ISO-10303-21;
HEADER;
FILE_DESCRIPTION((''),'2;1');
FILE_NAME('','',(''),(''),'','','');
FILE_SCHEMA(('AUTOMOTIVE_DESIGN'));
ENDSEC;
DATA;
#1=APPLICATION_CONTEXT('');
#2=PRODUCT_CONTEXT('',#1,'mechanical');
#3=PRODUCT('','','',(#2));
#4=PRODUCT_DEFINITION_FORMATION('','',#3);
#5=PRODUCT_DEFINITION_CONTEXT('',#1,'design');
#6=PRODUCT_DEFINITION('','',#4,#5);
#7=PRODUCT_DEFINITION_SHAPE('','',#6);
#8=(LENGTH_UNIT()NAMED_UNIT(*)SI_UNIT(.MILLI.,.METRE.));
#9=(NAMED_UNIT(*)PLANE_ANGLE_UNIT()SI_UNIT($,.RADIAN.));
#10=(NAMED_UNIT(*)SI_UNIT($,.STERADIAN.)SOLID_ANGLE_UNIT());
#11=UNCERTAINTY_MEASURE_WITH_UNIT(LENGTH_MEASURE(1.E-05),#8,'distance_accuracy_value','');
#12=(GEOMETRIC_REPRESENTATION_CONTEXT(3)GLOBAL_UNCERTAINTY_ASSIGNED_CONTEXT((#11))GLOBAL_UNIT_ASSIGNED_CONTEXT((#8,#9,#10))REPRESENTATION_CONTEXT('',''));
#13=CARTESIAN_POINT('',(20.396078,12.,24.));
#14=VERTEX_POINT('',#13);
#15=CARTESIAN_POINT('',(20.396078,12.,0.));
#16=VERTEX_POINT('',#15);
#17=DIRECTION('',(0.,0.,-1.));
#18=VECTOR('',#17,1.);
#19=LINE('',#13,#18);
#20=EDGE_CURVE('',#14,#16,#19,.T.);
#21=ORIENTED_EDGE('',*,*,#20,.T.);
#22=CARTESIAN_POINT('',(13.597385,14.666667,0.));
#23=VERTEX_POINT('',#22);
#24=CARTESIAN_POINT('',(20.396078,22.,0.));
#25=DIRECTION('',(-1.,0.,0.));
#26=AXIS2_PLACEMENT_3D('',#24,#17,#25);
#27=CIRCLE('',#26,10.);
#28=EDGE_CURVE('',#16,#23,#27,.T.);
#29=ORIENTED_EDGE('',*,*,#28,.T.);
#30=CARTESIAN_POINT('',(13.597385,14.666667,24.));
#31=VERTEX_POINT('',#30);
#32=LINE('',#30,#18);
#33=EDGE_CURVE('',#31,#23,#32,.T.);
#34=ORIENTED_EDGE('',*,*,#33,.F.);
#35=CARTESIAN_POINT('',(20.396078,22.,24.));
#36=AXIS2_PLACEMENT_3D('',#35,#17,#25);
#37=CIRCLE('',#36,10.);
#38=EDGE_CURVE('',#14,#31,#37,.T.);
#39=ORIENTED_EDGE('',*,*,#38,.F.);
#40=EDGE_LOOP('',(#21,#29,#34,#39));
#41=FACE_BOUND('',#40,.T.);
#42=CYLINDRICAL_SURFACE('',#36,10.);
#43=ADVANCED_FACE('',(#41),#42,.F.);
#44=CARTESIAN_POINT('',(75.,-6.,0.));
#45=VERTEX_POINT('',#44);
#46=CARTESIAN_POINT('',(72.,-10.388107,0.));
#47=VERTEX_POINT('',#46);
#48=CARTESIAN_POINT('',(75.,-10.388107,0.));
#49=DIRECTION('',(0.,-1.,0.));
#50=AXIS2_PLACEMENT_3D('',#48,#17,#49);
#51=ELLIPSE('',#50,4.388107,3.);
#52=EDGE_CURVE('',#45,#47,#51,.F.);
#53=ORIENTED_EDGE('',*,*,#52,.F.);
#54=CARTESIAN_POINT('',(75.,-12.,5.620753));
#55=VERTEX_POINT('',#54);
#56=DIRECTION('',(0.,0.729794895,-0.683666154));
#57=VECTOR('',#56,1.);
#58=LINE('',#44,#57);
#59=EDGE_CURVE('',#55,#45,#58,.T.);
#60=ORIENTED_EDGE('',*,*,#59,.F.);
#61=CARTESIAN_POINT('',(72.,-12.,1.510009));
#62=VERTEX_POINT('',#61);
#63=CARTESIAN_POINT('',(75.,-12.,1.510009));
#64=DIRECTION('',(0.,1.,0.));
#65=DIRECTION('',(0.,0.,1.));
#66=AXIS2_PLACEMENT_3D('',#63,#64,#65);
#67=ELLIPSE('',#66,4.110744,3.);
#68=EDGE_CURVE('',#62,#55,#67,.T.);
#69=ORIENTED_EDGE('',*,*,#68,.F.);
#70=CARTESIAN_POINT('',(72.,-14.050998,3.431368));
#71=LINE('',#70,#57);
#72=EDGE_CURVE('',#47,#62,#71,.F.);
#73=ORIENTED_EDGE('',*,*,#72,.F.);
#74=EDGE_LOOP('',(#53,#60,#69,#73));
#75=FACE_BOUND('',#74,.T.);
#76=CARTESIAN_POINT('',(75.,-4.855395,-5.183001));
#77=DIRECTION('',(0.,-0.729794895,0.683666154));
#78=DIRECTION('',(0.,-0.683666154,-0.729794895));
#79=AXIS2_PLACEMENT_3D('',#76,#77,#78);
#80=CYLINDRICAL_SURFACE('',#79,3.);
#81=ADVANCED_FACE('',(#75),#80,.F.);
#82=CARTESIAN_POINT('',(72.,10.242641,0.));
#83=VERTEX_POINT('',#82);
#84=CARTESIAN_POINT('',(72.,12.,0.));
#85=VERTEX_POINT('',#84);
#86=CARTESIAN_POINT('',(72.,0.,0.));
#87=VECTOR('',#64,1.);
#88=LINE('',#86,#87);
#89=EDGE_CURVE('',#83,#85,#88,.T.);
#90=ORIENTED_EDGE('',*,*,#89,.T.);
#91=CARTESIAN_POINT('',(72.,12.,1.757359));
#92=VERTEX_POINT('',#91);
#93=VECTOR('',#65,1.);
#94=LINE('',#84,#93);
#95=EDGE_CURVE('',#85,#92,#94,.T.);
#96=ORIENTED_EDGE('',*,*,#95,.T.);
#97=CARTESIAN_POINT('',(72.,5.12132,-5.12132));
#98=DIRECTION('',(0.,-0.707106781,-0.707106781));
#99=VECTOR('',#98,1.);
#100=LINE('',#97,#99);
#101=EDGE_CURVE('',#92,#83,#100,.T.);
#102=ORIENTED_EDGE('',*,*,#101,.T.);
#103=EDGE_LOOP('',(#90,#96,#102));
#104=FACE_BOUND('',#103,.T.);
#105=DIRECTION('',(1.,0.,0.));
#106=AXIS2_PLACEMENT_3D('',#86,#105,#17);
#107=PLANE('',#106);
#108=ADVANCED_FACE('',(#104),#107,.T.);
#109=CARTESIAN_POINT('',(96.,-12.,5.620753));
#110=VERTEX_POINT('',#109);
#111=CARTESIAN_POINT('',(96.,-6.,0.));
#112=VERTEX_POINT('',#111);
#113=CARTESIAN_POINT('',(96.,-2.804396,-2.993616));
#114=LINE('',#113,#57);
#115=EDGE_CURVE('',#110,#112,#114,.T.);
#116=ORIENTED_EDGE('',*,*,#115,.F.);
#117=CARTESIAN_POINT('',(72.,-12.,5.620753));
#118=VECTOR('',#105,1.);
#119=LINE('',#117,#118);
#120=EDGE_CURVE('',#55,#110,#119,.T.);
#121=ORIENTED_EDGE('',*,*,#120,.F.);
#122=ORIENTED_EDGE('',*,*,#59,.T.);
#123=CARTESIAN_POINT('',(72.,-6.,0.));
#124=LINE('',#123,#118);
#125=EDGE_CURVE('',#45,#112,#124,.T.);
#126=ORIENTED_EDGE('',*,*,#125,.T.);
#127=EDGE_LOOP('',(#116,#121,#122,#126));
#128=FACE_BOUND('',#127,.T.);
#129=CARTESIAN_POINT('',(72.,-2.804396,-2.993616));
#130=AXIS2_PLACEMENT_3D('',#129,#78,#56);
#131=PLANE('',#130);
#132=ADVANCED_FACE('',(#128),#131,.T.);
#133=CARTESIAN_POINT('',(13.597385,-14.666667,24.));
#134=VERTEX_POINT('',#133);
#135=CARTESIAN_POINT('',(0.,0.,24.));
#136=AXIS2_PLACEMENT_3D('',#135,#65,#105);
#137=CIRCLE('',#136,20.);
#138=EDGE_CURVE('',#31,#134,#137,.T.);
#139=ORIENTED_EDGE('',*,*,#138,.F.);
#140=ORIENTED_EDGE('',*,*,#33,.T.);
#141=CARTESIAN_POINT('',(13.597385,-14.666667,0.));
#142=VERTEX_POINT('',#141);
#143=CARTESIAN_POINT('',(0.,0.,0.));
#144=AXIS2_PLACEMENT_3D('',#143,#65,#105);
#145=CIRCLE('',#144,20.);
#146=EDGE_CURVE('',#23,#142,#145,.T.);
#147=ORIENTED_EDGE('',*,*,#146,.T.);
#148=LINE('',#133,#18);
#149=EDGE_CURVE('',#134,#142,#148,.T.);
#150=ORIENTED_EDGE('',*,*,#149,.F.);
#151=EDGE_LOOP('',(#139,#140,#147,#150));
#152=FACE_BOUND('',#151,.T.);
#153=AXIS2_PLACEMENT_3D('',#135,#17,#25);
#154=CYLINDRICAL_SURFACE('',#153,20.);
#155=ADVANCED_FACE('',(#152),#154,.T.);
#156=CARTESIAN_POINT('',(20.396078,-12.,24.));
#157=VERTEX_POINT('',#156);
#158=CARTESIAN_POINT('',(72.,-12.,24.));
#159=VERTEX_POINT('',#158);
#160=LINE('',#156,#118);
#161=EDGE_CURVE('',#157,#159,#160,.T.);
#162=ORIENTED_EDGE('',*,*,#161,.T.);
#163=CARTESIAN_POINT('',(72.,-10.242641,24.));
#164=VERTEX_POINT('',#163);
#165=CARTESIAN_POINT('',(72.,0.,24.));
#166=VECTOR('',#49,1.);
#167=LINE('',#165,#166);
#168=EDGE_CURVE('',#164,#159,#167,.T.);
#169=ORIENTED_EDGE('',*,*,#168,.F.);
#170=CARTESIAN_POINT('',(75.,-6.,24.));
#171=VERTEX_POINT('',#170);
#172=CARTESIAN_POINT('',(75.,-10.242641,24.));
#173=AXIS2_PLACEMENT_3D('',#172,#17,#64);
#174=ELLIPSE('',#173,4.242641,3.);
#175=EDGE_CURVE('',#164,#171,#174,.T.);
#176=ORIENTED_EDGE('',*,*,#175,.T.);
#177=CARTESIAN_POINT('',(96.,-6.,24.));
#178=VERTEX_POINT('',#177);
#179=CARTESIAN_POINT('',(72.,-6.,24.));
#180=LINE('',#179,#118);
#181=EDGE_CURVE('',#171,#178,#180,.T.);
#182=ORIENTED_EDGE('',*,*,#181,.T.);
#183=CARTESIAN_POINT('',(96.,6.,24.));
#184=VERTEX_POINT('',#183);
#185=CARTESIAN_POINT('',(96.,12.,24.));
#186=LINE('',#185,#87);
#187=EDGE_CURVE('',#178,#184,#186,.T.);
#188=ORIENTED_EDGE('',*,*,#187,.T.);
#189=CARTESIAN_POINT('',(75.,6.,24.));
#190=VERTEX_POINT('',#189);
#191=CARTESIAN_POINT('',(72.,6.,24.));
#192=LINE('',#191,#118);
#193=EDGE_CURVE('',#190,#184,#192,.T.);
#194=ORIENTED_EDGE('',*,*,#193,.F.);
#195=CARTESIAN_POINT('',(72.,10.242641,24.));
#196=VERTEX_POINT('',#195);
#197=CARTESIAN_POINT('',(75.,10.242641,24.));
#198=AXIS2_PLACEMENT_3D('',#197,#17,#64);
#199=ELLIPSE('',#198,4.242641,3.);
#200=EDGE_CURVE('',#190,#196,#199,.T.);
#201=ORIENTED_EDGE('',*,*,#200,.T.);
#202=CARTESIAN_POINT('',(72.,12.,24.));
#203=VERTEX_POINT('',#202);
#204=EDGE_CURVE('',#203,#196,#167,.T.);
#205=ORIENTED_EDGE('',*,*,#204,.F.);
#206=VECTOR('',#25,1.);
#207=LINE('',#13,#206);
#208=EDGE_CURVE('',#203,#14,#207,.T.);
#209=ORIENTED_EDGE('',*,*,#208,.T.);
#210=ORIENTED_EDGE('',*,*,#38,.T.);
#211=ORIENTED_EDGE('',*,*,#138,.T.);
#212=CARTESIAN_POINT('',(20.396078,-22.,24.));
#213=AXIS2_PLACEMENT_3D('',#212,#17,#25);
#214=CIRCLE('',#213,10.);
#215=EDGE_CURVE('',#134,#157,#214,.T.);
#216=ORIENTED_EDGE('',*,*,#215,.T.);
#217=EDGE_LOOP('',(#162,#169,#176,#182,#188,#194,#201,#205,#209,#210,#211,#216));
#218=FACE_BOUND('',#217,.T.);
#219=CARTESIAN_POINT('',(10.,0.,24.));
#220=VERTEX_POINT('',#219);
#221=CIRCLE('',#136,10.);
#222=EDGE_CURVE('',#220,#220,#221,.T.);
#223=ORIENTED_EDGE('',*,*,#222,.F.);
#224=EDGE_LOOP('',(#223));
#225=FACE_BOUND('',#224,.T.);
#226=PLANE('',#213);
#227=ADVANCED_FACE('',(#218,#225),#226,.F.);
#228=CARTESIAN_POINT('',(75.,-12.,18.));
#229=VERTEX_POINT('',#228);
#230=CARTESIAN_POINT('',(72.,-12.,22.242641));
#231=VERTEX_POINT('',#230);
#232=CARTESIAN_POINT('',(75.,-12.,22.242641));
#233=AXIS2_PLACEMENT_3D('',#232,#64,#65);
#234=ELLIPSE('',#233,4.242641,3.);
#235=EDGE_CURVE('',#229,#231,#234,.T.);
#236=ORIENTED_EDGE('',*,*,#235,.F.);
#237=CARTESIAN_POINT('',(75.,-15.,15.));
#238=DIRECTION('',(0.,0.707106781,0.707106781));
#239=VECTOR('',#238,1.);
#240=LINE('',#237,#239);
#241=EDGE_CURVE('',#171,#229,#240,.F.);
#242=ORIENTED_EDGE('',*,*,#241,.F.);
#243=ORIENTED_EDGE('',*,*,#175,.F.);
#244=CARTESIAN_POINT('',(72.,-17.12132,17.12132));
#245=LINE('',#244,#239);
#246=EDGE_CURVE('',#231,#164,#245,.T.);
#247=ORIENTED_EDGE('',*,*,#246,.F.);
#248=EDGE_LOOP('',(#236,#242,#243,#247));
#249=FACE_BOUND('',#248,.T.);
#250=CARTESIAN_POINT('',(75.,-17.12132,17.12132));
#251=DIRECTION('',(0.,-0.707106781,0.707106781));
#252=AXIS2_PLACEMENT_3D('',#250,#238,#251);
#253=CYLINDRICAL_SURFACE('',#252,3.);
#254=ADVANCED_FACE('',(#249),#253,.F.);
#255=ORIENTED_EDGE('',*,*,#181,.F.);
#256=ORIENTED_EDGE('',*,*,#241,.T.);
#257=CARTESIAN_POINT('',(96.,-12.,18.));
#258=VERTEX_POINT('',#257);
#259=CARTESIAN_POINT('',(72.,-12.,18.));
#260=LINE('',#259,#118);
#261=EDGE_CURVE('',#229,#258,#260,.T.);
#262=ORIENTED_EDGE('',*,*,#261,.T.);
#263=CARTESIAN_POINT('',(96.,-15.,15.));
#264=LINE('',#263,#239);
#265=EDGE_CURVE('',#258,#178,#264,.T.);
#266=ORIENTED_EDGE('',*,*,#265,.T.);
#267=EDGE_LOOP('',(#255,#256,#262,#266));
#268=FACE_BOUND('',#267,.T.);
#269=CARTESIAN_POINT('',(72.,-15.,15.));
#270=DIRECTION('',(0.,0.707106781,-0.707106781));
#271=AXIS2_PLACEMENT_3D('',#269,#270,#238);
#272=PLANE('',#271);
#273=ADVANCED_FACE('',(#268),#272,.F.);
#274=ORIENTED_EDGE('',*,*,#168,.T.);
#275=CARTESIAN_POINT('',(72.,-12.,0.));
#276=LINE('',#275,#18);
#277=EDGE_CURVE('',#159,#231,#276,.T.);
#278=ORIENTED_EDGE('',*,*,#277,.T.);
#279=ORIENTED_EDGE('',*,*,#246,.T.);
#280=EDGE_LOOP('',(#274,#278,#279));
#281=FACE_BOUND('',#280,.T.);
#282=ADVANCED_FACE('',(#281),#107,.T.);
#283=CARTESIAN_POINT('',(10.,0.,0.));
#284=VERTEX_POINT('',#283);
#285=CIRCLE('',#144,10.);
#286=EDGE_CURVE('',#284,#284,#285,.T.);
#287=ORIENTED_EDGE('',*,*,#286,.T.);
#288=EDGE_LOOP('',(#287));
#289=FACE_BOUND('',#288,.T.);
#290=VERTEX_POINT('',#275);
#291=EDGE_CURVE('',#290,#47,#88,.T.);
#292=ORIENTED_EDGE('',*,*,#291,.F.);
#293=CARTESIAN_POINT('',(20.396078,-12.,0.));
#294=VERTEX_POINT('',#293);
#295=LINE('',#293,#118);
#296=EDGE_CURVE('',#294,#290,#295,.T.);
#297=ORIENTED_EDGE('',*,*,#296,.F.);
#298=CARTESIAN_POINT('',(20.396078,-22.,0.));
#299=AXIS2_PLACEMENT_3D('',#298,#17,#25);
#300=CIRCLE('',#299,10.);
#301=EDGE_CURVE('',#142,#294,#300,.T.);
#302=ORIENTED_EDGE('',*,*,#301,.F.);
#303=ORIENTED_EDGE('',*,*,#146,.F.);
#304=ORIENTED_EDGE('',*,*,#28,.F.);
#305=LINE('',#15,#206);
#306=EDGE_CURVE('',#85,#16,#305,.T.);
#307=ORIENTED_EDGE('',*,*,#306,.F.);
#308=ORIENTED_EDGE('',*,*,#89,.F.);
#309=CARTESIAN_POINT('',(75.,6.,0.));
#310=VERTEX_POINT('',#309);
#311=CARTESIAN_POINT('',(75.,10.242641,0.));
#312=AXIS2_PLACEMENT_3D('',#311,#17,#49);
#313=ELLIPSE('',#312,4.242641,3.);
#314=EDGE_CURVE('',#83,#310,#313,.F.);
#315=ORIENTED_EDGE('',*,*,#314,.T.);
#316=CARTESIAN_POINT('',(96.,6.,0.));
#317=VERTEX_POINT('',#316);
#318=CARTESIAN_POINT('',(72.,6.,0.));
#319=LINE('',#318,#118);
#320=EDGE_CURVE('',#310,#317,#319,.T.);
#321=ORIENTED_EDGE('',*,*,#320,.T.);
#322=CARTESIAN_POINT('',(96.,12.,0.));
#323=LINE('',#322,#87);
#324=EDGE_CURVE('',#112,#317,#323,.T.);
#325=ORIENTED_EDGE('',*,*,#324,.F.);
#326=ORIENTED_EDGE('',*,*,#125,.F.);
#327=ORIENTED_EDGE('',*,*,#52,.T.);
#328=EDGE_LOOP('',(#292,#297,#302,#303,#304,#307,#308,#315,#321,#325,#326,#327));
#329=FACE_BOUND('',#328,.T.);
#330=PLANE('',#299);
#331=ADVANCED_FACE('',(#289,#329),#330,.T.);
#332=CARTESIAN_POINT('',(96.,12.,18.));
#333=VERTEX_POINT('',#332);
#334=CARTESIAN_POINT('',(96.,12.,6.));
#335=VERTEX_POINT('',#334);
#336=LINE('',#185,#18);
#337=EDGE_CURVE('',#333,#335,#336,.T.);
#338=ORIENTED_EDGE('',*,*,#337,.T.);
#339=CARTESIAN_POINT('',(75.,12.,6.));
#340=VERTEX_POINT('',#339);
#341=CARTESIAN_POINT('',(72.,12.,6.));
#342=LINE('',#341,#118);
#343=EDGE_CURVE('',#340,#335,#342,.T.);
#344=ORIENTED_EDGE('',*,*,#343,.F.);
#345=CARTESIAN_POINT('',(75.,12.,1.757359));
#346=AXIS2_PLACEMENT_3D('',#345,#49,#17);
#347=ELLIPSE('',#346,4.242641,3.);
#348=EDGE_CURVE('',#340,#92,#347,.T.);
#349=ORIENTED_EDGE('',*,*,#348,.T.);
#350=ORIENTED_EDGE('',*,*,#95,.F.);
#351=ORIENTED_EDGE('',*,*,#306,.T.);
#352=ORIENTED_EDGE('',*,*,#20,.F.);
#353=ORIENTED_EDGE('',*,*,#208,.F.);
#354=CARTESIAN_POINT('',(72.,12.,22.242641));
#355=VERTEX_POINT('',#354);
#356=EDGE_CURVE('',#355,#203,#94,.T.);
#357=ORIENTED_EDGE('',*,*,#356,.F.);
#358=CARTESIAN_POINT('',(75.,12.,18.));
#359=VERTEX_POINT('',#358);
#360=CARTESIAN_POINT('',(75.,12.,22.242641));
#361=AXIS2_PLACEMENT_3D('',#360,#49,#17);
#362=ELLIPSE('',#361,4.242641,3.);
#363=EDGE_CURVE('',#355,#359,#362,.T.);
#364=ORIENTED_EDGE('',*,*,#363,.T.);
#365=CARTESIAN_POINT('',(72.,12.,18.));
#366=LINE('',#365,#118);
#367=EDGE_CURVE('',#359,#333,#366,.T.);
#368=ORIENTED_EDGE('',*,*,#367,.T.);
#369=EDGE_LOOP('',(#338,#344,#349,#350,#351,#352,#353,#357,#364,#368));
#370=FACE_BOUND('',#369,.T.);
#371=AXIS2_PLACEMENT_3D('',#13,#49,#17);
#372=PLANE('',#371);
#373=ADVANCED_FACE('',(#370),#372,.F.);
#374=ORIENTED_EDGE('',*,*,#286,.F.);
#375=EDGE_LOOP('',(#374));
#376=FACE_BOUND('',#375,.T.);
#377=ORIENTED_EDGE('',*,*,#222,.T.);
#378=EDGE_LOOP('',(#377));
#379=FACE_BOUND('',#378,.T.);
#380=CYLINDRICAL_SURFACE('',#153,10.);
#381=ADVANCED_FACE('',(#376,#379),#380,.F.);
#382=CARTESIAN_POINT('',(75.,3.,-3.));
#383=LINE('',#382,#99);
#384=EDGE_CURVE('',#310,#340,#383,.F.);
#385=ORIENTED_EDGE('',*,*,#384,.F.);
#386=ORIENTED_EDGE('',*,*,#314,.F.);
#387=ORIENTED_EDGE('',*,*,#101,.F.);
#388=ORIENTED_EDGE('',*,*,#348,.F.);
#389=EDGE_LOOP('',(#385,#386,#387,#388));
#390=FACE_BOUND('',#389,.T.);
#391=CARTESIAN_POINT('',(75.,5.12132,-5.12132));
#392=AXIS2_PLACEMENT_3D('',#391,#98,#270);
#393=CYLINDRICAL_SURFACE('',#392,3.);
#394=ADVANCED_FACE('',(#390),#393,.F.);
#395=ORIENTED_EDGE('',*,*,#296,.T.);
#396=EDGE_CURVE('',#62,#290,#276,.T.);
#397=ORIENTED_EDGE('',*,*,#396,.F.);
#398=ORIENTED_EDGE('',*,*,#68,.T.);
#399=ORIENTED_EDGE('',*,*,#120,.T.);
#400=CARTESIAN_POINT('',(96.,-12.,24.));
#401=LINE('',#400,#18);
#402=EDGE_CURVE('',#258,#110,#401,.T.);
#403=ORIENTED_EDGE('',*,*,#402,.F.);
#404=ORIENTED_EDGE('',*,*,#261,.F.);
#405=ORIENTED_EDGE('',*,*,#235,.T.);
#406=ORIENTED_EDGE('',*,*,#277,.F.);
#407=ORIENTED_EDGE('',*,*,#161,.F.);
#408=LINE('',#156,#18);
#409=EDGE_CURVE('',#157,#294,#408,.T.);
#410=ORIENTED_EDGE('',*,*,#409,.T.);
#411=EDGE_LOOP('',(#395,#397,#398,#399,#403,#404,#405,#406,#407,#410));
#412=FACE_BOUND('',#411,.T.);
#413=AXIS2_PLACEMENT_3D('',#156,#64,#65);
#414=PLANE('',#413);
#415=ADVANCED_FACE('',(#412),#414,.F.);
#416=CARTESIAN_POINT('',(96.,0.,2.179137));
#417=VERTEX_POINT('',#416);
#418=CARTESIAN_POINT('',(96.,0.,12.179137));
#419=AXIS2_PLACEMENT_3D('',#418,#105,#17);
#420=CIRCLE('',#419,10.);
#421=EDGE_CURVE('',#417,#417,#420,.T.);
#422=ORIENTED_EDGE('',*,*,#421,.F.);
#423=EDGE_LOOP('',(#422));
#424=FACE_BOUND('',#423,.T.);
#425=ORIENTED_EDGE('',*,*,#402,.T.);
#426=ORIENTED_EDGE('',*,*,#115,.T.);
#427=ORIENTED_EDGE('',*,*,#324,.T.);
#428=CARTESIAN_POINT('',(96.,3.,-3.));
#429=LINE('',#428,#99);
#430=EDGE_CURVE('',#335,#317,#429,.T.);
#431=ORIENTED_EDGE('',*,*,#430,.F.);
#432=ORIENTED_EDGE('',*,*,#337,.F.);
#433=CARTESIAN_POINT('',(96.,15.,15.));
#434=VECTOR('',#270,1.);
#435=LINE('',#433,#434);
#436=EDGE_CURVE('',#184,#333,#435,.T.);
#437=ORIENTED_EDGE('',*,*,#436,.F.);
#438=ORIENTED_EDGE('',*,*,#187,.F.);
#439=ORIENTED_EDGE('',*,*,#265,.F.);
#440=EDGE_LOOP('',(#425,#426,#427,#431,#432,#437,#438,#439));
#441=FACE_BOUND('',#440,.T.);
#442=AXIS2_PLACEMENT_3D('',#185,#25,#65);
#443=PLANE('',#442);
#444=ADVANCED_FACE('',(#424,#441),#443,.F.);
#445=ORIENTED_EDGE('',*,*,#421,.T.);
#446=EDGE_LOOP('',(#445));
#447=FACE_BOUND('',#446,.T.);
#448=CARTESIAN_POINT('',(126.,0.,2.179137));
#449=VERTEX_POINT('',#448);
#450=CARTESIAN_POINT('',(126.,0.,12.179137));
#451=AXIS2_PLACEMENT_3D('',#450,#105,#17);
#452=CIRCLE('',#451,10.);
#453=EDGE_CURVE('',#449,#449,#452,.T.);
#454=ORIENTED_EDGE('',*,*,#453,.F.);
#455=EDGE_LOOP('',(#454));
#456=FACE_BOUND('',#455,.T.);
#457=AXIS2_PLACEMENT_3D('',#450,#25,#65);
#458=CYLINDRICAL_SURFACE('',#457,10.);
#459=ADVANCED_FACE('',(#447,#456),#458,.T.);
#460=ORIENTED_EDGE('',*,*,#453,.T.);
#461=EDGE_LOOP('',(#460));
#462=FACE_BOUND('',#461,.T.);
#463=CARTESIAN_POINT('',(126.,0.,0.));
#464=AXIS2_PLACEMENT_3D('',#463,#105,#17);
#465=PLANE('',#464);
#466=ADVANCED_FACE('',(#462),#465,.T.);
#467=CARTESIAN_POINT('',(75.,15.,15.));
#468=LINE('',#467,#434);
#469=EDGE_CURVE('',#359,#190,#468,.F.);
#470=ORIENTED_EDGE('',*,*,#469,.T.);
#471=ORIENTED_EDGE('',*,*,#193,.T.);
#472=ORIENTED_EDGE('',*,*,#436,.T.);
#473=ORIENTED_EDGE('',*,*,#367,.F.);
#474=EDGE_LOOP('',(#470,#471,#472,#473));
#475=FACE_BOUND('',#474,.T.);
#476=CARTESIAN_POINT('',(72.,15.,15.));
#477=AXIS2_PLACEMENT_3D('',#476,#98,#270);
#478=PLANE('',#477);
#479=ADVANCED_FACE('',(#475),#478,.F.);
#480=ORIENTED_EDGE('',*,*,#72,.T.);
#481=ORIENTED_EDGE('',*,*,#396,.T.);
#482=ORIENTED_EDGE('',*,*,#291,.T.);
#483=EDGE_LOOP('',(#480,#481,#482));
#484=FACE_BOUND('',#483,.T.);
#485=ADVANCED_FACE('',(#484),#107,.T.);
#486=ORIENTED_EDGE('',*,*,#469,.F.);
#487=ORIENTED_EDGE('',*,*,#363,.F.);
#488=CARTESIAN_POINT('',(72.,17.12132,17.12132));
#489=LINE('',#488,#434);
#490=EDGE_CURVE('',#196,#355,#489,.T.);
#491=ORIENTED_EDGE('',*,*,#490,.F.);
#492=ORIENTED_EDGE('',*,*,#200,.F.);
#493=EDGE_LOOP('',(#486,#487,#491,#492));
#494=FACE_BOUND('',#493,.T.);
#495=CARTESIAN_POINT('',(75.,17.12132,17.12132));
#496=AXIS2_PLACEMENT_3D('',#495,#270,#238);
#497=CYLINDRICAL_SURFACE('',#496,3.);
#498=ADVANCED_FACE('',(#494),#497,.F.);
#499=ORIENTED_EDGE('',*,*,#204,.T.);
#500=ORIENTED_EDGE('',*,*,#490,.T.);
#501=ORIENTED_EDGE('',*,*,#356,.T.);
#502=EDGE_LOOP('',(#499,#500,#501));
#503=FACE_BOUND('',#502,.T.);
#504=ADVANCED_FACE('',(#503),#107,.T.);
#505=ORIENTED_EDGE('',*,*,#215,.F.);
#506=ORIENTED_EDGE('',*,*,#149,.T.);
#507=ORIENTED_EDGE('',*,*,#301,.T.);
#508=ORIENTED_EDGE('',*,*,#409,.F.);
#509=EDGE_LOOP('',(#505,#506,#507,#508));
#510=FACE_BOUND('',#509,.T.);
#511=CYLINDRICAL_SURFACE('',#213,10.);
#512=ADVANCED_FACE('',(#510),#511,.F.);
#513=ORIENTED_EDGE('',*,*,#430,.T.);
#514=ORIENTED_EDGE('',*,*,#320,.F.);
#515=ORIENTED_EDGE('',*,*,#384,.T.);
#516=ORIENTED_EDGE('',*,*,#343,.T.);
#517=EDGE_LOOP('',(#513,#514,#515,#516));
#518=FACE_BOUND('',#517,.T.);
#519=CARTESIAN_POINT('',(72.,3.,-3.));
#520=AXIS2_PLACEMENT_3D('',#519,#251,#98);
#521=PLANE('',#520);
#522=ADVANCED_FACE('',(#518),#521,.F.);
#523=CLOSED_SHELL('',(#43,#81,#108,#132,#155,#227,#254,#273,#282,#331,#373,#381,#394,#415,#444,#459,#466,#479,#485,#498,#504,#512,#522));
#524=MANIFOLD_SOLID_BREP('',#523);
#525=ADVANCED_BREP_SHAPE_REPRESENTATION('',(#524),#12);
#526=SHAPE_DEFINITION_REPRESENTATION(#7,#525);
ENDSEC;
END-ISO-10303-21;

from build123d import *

# Parameters (mm, degrees)
SKETCH1_R           = 10
BOSS_EXTRUDE1_DEPTH = 24
CUT_EXTRUDE1_DEPTH  = 24
SKETCH2_3_R         = 10
BOSS_EXTRUDE4_DEPTH = 30
FILLET7_R           = 3


with BuildPart() as part:
    # Sketch1 → Boss-Extrude1 (new body)
    with BuildSketch(Plane.XY):
        with BuildLine():
            Line((20.396078054, 12), (96, 12))
            Line((96, 12), (96, -12))
            Line((96, -12), (20.396078054, -12))
            ThreePointArc((20.396078054, -12), (16.744594338, -12.690506637), (13.59738537, -14.666666667))
            ThreePointArc((13.59738537, -14.666666667), (-20, 0), (13.59738537, 14.666666667))
            ThreePointArc((13.59738537, 14.666666667), (16.744594338, 12.690506637), (20.396078054, 12))
        make_face()
        Circle(SKETCH1_R, mode=Mode.SUBTRACT)
    extrude(amount=BOSS_EXTRUDE1_DEPTH)

    # Sketch2 → Cut-Extrude1 (cut)
    with BuildSketch(Plane(origin=(96, 0, 0), x_dir=(0, 0, -1), z_dir=(1, 0, 0))):
        Polygon((-18, 12), (-24, 12), (-24, 6), align=None)
        Polygon((0, 6), (0, 12), (-6, 12), align=None)
        Polygon((-24, -6), (-24, -12), (-18, -12), align=None)
        Polygon((-5.620753108, -12), (0, -12), (0, -6), align=None)
    extrude(amount=-CUT_EXTRUDE1_DEPTH, mode=Mode.SUBTRACT)

    # Sketch2<3> → Boss-Extrude4 (add)
    with BuildSketch(Plane(origin=(96, 0, 0), x_dir=(0, 0, -1), z_dir=(1, 0, 0))):
        with Locations((-12.179136586, 0)):
            Circle(SKETCH2_3_R)
    extrude(amount=BOSS_EXTRUDE4_DEPTH)

    # Fillet7
    fillet7_edges = [part.edges().sort_by_distance(p)[0] for p in [
        (72, 9, 3),
        (72, -9, 21),
        (72, -9, 2.810376554),
        (72, 9, 21),
    ]]
    fillet(fillet7_edges, radius=FILLET7_R)


solid = part.part
